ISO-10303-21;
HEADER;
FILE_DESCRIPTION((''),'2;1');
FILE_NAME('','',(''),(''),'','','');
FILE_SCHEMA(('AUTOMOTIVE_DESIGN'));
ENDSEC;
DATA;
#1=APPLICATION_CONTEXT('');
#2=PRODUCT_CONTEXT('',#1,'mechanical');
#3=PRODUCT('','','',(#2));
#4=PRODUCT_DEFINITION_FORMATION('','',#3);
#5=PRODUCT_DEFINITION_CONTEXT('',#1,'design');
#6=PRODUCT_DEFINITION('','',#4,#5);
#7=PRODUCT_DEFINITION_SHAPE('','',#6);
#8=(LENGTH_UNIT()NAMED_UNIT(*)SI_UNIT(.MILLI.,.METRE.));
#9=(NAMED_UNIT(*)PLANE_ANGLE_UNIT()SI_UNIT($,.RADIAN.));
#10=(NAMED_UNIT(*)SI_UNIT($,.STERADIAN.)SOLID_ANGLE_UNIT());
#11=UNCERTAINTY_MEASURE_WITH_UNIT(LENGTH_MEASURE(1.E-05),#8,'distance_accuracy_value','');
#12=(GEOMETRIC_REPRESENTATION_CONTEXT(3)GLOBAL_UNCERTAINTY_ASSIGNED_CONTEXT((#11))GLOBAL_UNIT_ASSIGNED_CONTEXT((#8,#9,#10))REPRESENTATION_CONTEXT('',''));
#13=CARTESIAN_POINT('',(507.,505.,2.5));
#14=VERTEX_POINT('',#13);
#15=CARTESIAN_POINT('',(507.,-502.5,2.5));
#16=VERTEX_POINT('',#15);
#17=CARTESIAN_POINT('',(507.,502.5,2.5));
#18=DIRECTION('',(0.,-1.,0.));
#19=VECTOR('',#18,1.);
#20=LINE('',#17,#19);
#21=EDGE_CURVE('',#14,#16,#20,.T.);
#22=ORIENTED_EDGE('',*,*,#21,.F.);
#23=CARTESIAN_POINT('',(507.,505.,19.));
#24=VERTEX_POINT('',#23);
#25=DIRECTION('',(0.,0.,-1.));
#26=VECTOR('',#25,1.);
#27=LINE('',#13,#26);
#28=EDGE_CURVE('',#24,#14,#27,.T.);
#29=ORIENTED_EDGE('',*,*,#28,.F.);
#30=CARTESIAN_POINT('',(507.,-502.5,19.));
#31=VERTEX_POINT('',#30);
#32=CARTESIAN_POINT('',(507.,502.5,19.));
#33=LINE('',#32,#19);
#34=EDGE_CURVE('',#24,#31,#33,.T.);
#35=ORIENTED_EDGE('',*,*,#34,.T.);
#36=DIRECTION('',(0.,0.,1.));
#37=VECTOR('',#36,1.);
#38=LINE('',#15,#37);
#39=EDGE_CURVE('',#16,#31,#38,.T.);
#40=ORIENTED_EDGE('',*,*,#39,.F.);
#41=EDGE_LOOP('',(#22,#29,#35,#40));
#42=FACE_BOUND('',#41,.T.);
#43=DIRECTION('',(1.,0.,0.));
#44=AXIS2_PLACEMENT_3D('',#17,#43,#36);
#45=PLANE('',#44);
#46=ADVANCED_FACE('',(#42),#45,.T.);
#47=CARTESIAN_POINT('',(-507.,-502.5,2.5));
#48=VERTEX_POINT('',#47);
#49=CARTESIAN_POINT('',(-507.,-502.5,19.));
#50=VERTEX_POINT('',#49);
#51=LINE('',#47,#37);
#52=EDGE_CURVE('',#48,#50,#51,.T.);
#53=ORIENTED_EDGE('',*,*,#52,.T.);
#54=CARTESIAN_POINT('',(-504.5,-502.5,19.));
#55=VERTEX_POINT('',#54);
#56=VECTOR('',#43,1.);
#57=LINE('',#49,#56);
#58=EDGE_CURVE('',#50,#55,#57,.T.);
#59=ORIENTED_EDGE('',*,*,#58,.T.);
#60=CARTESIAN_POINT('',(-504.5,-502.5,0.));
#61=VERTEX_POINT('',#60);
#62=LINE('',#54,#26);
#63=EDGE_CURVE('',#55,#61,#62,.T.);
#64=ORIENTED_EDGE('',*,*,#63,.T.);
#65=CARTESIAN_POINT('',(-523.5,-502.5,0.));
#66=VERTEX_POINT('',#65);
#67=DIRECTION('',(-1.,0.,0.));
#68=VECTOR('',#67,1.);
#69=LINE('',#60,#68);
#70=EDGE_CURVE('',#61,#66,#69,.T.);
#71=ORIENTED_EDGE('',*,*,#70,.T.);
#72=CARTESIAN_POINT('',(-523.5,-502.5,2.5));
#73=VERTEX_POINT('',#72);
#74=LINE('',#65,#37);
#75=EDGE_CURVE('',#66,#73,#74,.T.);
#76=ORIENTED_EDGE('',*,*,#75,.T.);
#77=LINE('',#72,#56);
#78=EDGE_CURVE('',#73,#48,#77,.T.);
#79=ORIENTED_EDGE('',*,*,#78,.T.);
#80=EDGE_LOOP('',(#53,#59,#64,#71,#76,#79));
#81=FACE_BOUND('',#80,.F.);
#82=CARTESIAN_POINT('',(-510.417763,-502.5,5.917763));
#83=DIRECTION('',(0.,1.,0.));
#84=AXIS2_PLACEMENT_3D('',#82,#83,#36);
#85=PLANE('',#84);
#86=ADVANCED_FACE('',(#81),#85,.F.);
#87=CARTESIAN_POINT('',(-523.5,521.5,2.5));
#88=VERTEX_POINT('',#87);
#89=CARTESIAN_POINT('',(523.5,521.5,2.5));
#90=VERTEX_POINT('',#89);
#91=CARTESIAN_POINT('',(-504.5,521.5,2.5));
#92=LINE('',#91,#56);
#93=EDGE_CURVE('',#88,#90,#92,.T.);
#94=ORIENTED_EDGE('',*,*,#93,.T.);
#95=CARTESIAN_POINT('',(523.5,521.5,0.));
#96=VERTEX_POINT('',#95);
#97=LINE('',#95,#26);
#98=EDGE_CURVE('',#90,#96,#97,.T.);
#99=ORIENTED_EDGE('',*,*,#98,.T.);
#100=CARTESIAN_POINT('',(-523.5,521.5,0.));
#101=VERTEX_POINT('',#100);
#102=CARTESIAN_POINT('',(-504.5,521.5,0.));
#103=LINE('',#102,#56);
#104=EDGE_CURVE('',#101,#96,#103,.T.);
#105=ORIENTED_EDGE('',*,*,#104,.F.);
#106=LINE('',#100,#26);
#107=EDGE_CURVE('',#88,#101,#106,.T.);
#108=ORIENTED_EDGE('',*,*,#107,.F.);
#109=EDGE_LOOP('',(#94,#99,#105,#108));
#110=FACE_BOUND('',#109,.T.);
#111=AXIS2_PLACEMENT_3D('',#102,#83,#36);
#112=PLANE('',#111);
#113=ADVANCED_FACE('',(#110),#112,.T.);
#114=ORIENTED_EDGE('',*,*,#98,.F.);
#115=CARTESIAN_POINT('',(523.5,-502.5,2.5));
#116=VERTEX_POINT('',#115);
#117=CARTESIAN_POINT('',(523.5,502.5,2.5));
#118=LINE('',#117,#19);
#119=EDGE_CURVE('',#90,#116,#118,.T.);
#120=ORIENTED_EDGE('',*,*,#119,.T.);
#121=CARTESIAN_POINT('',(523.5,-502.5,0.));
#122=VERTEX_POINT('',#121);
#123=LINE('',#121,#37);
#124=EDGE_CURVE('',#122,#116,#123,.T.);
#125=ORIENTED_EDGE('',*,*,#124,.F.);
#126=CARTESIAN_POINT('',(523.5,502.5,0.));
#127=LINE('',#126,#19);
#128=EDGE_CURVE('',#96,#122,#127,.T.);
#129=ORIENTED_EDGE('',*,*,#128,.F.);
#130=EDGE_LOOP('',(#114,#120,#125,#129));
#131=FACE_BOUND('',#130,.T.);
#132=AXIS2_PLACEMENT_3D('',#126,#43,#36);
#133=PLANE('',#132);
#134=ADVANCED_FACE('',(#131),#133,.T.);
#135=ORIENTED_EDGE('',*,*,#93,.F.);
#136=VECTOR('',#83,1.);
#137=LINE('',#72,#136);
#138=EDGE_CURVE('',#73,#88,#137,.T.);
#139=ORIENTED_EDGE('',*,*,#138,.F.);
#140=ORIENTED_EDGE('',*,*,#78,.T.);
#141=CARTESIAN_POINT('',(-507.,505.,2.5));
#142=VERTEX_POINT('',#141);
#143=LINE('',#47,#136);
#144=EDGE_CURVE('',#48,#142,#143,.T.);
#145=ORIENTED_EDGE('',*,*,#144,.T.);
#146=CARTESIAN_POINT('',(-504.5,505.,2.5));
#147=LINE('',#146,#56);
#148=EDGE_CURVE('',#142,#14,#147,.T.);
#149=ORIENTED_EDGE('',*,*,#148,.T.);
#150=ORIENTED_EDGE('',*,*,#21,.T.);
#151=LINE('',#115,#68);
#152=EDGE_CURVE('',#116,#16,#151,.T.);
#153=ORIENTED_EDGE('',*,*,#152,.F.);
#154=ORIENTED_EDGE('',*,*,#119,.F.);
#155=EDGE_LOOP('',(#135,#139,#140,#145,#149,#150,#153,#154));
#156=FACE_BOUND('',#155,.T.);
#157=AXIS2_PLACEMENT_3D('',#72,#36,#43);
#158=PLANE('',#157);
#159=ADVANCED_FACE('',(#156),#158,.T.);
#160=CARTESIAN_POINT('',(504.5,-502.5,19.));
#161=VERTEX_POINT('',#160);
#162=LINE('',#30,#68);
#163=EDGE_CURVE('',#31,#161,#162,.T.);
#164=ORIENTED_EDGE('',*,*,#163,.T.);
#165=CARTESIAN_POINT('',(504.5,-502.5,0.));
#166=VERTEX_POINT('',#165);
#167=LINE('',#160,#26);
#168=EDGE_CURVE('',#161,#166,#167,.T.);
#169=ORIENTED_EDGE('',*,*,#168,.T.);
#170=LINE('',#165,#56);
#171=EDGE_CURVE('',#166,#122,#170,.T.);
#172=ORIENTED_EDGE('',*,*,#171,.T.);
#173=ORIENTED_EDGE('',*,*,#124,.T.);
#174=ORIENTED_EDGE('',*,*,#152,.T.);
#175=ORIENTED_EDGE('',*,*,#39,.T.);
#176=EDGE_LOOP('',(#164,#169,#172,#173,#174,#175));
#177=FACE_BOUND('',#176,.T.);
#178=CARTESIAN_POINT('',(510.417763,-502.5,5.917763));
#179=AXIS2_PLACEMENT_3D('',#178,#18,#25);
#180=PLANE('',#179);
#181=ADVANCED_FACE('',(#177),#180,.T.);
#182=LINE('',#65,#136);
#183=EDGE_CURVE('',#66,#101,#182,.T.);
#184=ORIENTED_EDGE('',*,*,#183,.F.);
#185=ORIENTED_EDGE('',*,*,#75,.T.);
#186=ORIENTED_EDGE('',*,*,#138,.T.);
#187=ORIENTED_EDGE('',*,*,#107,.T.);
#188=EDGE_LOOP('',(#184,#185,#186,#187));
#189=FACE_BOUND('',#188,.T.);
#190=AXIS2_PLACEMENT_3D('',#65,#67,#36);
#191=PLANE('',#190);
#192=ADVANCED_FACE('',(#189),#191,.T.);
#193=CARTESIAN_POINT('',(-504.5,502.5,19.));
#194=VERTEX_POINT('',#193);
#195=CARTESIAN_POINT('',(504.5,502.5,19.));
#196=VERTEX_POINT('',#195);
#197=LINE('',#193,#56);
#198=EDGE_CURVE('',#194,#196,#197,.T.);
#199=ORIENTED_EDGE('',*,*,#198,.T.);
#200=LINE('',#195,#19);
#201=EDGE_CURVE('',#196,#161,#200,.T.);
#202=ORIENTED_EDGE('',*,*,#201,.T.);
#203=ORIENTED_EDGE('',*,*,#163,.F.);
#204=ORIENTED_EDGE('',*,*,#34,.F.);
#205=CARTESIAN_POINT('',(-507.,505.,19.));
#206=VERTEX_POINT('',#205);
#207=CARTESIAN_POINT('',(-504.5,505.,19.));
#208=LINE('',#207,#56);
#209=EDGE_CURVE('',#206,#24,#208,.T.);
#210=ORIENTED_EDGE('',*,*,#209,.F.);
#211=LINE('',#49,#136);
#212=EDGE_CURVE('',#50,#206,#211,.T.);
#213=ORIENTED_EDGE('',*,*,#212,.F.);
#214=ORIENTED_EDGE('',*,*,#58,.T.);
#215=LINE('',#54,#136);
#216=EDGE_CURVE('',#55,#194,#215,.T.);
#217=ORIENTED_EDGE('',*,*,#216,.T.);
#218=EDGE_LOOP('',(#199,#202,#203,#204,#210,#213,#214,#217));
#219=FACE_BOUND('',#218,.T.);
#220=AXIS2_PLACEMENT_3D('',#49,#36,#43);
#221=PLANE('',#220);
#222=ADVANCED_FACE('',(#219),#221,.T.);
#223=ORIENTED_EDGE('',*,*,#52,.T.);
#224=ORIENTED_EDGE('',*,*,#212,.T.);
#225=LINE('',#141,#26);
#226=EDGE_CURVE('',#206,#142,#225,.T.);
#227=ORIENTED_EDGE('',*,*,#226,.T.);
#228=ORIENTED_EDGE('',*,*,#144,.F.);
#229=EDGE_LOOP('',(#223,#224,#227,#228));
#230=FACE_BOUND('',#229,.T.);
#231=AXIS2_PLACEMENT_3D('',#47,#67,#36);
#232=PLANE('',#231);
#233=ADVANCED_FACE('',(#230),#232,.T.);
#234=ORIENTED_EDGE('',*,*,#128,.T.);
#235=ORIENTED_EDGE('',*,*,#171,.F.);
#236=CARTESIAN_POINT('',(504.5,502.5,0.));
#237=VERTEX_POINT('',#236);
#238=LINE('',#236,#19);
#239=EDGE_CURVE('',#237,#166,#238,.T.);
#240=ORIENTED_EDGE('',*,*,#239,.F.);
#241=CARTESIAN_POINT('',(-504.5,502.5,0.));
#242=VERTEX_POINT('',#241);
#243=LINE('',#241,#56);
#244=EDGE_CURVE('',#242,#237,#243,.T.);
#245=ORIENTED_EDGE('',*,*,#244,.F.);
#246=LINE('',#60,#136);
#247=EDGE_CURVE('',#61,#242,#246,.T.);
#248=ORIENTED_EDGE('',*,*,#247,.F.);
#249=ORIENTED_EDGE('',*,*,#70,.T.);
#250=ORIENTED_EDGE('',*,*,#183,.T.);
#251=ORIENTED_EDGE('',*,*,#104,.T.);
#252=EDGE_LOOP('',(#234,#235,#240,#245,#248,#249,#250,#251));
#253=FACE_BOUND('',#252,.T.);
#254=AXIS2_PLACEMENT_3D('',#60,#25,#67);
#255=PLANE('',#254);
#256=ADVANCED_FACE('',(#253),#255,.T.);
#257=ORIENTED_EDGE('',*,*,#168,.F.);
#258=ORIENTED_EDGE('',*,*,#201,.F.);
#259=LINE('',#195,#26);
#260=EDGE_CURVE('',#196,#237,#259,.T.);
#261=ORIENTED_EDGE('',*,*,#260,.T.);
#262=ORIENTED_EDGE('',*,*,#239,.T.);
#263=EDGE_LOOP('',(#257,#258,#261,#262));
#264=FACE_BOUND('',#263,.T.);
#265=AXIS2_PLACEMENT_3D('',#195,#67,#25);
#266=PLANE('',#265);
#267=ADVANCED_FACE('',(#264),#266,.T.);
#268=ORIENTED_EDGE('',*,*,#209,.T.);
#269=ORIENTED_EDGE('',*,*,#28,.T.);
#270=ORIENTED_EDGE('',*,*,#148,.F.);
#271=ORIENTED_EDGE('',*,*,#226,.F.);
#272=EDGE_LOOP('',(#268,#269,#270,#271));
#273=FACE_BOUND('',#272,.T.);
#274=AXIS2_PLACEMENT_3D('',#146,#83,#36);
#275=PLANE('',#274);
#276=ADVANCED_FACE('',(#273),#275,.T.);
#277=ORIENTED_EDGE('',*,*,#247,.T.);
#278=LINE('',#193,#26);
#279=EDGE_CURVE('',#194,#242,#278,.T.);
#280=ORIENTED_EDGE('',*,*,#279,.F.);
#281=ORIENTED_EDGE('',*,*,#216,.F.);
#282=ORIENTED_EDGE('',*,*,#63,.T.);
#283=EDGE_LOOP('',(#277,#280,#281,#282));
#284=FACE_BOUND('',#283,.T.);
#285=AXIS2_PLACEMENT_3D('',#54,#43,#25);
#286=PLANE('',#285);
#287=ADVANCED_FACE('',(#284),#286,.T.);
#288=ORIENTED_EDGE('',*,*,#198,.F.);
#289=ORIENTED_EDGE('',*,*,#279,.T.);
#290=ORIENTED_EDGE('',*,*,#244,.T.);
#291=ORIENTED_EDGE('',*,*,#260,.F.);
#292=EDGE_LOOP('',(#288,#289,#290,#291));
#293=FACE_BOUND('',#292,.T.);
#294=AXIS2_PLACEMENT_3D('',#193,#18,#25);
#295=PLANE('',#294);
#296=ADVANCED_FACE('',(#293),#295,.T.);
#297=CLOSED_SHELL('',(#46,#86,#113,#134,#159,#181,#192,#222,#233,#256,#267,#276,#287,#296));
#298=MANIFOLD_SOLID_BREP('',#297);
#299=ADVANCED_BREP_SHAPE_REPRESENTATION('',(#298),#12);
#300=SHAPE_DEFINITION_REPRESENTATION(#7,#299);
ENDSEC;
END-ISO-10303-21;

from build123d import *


with BuildPart() as f2:
    # F2: sweep along a path in F0
    with BuildLine(Plane.XY) as f2_path:
        Line((-504.5, -502.5), (-504.5, 502.5))
        Line((-504.5, 502.5), (504.5, 502.5))
        Line((504.5, 502.5), (504.5, -502.5))
    # F1 (on Right) → F2 (sweep)
    with BuildSketch(Plane.YZ):
        Polygon((502.5, 19), (502.5, 0), (521.5, 0), (521.5, 2.5), (505, 2.5), (505, 19), align=None)
    sweep(path=f2_path.line, transition=Transition.RIGHT)


solid = f2.part
